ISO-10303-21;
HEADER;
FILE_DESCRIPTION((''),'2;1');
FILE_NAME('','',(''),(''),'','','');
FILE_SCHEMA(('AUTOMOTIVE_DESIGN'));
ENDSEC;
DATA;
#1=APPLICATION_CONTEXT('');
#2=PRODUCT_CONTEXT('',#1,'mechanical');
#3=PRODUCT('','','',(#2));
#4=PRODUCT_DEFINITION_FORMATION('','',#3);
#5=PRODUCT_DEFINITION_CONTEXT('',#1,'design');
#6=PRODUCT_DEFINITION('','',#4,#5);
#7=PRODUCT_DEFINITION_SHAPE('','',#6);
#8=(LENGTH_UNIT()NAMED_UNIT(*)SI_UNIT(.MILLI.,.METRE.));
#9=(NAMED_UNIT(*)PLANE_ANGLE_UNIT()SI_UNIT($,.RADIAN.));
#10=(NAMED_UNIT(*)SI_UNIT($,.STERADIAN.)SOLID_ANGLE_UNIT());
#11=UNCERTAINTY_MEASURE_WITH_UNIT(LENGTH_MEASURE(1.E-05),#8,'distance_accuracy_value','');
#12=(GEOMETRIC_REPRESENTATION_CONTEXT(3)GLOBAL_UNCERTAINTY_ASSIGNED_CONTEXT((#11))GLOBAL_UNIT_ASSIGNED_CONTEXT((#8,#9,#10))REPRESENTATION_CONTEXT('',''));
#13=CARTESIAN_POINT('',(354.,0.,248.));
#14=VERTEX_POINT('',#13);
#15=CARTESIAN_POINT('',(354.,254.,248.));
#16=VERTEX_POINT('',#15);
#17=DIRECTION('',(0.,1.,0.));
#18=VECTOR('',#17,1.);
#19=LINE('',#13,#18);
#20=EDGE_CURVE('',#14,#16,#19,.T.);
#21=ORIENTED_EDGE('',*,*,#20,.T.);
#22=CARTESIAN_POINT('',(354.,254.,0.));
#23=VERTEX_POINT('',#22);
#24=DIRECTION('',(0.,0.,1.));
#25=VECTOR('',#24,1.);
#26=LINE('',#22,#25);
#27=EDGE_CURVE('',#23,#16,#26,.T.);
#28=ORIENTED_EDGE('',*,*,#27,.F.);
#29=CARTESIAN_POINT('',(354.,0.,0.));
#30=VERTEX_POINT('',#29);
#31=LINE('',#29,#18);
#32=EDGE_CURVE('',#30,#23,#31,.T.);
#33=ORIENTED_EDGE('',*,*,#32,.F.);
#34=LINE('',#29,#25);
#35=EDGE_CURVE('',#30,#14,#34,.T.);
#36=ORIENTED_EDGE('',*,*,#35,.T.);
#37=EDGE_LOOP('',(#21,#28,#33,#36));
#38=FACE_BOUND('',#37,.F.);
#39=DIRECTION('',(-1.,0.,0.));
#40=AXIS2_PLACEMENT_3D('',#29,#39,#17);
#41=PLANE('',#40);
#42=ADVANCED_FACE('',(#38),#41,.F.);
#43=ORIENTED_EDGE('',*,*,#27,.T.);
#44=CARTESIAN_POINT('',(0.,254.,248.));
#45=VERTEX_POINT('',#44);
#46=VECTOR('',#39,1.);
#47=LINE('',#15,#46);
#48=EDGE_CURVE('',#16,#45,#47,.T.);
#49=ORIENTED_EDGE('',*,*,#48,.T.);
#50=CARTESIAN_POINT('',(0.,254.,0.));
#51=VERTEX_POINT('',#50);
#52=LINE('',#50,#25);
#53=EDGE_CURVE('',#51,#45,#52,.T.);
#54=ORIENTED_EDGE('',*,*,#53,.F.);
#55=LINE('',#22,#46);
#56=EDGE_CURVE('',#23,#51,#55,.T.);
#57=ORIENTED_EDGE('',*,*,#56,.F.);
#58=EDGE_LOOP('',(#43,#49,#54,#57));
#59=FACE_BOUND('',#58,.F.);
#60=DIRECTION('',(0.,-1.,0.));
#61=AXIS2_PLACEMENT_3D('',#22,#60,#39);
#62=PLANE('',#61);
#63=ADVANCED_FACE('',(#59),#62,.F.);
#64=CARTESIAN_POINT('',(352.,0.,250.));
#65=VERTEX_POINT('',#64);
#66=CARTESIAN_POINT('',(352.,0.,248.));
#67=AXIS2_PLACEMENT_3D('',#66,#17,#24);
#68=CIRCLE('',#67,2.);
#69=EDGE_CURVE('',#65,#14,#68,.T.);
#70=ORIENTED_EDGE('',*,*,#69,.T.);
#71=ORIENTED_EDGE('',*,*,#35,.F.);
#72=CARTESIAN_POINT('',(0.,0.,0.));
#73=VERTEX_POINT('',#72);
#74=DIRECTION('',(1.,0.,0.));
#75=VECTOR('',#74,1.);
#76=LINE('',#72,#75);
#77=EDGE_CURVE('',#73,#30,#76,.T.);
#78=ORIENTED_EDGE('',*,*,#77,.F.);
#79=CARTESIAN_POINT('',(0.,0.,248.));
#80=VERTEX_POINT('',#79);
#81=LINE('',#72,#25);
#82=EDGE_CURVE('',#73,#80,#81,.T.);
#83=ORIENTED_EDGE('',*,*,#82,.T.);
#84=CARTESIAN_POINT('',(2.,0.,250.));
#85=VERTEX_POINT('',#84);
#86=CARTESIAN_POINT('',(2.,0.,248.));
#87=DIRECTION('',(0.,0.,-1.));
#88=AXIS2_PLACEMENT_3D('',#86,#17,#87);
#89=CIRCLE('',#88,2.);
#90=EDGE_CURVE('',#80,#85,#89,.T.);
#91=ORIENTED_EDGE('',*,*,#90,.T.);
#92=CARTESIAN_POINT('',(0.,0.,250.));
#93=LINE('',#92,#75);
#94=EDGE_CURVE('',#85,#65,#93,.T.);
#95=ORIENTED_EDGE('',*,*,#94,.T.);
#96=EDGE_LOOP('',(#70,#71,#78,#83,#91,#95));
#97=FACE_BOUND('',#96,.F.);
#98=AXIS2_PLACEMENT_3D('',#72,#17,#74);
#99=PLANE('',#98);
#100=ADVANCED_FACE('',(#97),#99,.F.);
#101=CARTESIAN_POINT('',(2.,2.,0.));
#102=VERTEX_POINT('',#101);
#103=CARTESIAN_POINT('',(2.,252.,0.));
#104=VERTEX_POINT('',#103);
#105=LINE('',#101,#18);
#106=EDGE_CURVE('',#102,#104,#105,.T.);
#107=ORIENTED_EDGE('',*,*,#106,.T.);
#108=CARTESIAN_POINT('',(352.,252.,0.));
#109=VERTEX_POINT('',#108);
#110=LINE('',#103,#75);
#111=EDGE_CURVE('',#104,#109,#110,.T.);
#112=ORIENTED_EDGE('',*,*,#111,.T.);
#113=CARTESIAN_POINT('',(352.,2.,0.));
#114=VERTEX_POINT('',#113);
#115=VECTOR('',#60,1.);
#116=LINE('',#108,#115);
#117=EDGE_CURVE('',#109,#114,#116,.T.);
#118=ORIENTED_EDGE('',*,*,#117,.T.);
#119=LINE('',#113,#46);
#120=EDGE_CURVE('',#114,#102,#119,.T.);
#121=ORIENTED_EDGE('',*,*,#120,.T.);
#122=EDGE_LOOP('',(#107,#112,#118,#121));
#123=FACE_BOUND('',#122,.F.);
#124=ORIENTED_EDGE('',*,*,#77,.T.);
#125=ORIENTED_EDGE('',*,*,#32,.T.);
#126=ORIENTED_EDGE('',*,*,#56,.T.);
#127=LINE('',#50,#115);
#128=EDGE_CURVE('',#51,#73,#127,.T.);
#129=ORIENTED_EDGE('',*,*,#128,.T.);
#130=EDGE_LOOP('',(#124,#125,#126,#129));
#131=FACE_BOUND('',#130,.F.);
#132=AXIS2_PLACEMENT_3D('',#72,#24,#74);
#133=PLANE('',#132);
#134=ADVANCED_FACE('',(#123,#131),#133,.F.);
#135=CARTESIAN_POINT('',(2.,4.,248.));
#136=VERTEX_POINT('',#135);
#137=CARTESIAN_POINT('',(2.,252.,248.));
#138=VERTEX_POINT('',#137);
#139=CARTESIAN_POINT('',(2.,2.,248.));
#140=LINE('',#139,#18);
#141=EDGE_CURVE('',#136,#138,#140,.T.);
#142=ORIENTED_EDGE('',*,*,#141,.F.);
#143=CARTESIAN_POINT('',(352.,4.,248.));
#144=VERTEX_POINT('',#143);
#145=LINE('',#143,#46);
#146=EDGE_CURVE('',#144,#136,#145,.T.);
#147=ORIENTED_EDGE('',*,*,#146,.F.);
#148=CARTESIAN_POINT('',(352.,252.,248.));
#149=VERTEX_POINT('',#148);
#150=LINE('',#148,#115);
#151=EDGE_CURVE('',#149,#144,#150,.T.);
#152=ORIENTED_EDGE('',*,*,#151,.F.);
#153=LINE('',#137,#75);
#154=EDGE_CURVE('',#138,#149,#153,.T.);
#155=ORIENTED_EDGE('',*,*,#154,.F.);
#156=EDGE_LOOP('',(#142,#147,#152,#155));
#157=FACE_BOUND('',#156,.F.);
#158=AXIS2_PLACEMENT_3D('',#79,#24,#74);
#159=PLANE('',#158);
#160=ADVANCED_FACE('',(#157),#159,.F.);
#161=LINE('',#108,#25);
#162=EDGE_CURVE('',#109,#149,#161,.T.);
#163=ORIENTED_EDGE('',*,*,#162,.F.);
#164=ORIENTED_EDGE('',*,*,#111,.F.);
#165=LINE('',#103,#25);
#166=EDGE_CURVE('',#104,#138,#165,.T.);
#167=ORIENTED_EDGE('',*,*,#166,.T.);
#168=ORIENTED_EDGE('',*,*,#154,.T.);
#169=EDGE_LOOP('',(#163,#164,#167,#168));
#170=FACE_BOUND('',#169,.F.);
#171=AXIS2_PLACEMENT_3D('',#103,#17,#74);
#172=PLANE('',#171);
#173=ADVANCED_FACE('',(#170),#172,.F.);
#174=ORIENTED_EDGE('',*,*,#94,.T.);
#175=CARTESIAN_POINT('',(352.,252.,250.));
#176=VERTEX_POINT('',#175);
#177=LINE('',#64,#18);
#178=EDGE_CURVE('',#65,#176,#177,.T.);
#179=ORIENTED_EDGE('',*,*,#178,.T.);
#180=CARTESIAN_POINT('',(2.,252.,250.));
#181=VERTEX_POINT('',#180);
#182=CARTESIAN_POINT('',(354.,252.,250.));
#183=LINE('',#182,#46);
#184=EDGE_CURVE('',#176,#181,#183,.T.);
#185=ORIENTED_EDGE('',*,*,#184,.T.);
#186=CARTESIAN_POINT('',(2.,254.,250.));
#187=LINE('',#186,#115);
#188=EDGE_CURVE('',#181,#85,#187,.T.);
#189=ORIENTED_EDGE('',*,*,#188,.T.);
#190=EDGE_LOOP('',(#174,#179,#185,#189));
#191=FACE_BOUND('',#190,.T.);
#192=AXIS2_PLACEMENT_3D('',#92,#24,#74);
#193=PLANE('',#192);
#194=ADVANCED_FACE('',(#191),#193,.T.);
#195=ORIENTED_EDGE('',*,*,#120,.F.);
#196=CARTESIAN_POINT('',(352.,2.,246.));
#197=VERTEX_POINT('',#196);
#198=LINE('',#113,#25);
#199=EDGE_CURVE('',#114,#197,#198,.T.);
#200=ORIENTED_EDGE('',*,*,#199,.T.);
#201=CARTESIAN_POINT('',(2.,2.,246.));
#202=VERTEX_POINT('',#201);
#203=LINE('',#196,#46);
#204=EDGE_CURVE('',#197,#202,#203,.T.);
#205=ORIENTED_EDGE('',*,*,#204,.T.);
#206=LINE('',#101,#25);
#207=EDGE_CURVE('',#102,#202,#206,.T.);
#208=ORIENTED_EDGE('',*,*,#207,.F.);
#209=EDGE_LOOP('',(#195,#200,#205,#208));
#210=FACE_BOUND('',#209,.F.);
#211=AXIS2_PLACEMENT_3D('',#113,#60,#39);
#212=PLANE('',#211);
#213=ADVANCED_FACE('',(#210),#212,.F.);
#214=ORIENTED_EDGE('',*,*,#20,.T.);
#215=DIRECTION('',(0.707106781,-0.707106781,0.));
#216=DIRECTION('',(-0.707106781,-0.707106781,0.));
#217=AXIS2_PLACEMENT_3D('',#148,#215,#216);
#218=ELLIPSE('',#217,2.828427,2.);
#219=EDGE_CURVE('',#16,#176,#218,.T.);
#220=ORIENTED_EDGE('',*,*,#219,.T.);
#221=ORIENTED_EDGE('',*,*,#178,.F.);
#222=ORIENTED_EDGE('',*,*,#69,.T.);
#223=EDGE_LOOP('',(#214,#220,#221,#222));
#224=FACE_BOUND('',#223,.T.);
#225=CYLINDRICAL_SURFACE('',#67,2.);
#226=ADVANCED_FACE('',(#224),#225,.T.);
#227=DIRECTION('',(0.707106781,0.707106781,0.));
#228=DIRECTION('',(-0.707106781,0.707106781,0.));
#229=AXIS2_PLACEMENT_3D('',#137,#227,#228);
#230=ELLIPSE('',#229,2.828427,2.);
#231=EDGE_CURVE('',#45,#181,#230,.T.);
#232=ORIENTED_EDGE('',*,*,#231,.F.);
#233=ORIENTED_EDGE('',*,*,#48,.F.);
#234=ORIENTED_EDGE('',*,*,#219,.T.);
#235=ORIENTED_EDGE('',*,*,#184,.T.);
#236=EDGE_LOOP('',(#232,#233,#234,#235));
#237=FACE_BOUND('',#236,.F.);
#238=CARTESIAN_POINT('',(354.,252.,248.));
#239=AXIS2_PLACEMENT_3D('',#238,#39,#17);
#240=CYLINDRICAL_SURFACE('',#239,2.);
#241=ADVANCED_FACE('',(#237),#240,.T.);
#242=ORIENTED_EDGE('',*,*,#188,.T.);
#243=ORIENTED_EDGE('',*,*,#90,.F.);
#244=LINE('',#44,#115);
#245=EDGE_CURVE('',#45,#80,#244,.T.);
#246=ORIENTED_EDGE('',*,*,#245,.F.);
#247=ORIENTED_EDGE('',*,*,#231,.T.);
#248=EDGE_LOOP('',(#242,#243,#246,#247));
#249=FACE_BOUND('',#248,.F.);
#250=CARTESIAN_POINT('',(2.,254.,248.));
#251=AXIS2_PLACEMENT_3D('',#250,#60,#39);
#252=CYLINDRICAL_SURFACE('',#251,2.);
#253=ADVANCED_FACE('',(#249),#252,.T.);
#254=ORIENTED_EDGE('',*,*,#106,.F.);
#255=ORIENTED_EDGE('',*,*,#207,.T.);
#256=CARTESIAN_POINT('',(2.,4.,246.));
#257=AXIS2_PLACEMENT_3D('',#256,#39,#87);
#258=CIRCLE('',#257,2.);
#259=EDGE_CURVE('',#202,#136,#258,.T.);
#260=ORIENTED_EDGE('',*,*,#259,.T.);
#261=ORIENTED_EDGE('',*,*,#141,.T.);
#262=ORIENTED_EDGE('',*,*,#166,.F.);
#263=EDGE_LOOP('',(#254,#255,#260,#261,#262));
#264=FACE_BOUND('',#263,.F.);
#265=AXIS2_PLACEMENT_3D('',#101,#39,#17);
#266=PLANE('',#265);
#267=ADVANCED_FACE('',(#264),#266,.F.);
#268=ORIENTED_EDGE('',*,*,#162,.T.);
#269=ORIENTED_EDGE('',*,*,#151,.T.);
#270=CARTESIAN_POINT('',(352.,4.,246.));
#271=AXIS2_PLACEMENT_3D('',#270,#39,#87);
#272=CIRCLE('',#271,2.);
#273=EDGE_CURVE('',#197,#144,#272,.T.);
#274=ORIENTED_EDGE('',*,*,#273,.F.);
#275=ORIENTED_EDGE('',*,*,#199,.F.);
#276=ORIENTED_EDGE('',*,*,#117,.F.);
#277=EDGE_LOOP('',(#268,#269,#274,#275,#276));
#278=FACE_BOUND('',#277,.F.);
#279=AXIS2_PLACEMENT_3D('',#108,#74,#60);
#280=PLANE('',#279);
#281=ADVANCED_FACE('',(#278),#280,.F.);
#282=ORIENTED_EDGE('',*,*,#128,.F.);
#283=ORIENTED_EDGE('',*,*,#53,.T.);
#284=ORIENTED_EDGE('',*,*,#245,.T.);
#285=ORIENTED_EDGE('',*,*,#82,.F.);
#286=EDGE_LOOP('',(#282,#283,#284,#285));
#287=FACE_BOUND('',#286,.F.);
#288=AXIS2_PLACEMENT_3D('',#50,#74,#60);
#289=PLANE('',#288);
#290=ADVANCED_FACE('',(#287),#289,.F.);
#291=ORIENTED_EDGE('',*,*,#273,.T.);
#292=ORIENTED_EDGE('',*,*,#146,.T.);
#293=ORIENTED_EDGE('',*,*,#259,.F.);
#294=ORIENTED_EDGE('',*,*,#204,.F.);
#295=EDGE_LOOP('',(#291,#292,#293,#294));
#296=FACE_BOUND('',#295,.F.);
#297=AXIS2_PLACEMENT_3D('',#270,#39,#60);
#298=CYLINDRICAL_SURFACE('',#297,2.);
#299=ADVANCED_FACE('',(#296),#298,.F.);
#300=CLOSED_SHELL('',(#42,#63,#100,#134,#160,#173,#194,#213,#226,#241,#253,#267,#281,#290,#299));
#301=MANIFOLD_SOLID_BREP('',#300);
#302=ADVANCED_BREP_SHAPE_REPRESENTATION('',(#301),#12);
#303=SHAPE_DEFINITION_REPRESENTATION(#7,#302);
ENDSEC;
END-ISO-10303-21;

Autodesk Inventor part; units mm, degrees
ref_plane "YZ Plane" through (0, 0, 0) normal (1, 0, 0) x (0, 1, 0)
ref_plane "XZ Plane" through (0, 0, 0) normal (0, 1, 0) x (-1, 0, 0)
ref_plane "XY Plane" through (0, 0, 0) normal (0, 0, 1) x (1, 0, 0)
sketch "Esboço11" plane through (0, 0, 0) normal (0, 0, 1) x (1, 0, 0)
  line L0 (0, 0) -> (354, 0)
  line L1 (354, 0) -> (354, 254)
  line L2 (354, 254) -> (0, 254)
  line L3 (0, 254) -> (0, 0)
  line L4 (2, 252) -> (352, 252)
  line L5 (352, 252) -> (352, 2)
  line L6 (352, 2) -> (2, 2)
  line L7 (2, 2) -> (2, 252)
  dimension "d14" = 354
  dimension "d15" = 254
  dimension "d16" = 2
  dimension "d17" = 2
  dimension "d18" = 2
  dimension "d19" = 2
extrude "Extrusão3" add sketch "Esboço11" along normal blind 250
sketch "Esboço12" plane through (0, 0, 250) normal (0, 0, 1) x (1, 0, 0)
  line L0 (2, 2) -> (2, 252) projected
  line L1 (352, 2) -> (2, 2) projected
  line L2 (2, 252) -> (352, 252)
  line L3 (352, 252) -> (352, 2)
  line L4 (352, 2) -> (2, 2)
  line L5 (2, 2) -> (2, 252)
  point P0 (0, 0)
extrude "Extrusão4" add sketch "Esboço12" against normal blind 2
fillet "Arredondamento1" radius 2 4 edges at (177, 254, 250) (177, 2, 248) (354, 127, 250) (0, 127, 250)
properties part number "Caixa"
